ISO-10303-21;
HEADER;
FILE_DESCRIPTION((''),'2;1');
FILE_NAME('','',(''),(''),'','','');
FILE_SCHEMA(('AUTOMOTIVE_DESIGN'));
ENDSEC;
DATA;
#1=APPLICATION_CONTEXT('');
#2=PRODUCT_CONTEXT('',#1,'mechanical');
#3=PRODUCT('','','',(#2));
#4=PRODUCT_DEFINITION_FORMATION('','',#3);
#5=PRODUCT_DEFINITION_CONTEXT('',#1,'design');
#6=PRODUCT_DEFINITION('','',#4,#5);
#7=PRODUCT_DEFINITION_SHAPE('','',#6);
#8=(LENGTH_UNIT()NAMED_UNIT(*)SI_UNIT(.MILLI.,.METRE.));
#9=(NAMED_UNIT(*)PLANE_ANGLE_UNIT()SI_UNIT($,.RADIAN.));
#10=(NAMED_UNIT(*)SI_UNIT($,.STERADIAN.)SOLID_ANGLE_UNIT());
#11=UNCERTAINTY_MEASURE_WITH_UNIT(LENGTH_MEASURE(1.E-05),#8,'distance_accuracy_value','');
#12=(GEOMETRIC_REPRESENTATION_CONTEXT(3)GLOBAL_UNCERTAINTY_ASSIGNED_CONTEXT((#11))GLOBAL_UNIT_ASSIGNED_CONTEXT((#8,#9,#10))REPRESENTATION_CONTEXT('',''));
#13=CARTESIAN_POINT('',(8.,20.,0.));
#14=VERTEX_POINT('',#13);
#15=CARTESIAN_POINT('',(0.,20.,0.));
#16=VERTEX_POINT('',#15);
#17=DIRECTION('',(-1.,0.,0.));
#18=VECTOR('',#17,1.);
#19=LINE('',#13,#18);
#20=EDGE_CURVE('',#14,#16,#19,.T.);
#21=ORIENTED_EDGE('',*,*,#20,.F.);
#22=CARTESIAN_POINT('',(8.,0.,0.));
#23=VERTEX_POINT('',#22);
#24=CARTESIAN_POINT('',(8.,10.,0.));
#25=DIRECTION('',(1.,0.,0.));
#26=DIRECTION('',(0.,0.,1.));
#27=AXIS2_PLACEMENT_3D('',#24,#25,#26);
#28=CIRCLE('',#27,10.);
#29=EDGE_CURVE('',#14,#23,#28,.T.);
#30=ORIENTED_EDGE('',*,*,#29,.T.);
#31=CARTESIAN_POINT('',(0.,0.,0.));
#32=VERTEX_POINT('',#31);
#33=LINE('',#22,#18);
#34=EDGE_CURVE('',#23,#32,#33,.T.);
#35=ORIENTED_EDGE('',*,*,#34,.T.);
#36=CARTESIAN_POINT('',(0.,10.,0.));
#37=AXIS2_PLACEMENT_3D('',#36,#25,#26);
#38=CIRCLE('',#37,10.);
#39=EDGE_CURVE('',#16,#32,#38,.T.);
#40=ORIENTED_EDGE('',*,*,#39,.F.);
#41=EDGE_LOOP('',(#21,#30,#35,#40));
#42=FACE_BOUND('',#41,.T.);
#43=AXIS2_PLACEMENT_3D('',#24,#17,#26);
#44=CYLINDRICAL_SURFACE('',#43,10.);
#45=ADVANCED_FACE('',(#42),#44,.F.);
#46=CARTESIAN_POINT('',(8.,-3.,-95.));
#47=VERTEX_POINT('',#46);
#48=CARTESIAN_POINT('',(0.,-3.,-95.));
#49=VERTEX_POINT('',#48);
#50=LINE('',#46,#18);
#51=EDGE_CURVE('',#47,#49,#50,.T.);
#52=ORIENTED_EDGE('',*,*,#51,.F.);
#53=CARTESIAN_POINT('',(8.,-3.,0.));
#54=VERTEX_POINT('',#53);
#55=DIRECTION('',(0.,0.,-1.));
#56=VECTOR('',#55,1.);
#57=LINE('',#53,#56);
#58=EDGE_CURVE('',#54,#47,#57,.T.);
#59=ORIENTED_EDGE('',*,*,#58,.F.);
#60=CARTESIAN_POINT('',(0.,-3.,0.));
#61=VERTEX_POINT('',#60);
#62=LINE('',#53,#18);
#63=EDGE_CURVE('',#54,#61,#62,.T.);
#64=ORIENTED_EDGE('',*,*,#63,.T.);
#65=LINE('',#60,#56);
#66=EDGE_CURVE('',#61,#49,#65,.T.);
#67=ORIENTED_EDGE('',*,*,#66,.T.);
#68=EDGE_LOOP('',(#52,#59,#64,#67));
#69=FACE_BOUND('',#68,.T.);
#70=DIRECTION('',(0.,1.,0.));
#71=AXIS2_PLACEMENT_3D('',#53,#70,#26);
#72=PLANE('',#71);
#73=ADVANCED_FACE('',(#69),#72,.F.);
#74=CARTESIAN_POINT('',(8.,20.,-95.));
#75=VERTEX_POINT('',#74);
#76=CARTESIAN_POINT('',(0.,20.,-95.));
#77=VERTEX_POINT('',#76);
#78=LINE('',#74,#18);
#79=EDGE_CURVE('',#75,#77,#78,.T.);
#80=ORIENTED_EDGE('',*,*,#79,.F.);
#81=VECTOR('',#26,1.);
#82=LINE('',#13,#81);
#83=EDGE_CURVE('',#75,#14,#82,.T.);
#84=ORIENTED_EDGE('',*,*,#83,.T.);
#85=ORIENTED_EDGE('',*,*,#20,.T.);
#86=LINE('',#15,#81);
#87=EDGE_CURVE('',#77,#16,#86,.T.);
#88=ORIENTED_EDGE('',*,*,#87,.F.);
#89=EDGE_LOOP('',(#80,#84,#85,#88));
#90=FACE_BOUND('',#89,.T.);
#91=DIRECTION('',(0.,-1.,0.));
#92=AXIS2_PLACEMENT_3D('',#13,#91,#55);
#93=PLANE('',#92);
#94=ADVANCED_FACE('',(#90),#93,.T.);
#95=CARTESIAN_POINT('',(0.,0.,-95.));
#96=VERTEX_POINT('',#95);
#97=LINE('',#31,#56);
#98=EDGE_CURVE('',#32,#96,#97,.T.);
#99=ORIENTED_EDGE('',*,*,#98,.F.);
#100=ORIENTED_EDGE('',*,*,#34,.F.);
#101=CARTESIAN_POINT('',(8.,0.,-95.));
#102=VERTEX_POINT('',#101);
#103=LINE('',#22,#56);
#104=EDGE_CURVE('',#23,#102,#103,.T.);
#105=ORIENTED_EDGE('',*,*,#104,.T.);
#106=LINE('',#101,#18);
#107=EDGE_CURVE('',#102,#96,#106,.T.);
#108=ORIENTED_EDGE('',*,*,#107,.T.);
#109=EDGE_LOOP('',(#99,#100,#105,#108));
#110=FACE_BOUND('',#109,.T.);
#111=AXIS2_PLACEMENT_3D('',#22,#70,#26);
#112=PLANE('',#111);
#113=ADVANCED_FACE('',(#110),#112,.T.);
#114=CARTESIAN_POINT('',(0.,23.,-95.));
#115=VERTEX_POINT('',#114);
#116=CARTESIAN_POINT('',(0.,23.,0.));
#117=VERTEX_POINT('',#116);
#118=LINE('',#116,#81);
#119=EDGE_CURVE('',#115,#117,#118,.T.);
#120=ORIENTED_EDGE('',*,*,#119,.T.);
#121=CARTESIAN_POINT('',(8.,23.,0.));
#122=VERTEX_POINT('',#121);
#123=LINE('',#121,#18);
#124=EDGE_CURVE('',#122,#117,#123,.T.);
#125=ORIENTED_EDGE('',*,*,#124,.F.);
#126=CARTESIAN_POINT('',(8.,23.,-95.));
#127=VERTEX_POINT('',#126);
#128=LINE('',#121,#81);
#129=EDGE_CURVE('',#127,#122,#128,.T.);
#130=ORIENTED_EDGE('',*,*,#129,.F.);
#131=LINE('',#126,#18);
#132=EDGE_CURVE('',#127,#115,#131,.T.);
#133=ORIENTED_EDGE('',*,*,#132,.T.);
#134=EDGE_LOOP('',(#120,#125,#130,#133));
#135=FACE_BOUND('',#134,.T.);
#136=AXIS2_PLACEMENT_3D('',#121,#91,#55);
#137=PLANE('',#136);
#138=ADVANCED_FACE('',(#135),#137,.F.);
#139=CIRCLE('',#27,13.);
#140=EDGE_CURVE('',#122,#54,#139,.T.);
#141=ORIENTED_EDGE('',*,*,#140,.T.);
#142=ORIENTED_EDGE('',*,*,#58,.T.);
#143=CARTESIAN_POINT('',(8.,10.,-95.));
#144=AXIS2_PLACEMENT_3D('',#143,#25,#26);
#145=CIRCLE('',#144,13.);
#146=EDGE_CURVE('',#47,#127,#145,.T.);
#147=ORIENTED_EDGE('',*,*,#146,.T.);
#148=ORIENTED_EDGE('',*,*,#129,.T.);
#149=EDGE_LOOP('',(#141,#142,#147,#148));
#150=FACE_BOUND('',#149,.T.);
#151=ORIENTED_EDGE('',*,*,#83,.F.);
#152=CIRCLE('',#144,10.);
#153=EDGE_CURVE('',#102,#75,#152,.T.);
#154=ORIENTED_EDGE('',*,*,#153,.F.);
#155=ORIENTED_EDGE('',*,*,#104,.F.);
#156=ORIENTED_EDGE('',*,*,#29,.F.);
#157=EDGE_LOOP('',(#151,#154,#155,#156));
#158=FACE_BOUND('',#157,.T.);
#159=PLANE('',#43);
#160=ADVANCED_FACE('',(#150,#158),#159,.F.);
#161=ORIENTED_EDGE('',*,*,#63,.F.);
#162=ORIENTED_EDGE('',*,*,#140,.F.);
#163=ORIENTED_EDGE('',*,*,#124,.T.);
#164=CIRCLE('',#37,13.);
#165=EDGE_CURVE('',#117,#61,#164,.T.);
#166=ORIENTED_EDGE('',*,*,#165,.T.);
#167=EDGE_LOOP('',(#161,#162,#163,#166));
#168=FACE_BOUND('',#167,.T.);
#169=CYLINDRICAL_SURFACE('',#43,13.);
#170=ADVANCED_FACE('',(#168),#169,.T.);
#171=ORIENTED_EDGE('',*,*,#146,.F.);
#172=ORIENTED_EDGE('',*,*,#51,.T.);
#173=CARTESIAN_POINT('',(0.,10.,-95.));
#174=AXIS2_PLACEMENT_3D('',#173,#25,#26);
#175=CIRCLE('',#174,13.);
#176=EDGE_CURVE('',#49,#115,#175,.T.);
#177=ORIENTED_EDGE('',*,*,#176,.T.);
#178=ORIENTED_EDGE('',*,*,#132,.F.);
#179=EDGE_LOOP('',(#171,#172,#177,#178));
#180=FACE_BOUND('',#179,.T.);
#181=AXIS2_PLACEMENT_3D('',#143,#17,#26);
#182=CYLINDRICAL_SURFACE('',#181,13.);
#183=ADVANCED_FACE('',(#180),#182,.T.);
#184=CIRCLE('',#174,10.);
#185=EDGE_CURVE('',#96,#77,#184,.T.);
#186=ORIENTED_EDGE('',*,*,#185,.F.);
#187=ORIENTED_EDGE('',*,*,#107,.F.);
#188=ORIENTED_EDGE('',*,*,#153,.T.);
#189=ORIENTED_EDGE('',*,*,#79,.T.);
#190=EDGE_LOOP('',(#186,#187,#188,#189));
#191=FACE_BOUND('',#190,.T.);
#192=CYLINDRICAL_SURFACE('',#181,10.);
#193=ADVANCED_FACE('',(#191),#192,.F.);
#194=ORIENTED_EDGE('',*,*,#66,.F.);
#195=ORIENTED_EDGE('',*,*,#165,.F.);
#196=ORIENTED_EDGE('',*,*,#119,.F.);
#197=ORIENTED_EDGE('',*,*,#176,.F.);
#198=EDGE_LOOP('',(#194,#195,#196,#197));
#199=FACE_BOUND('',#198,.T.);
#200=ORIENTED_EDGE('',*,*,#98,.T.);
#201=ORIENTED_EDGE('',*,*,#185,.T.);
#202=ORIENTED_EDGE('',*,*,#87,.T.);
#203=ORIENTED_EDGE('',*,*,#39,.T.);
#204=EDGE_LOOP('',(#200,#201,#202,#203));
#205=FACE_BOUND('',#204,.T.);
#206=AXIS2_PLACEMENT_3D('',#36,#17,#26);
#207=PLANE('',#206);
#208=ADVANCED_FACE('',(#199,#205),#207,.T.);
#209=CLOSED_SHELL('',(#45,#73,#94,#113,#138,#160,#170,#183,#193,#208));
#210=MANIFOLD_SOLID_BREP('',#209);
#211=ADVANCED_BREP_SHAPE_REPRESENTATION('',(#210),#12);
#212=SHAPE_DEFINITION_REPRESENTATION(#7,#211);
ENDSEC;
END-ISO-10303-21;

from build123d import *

# Parameters (mm, degrees)
EXTRUDE_1_DEPTH = 8


with BuildPart() as part:
    # 草图1 → 凸台-拉伸1 (new body)
    with BuildSketch(Plane(origin=(0, 0, 0), x_dir=(0, 0, -1), z_dir=(1, 0, 0))):
        with BuildLine():
            Line((0, 23), (95, 23))
            ThreePointArc((95, 23), (108, 10), (95, -3))
            Line((95, -3), (0, -3))
            ThreePointArc((0, -3), (-13, 10), (0, 23))
        make_face()
        with BuildLine():
            Line((0, 0), (95, 0))
            ThreePointArc((95, 0), (105, 10), (95, 20))
            Line((95, 20), (0, 20))
            ThreePointArc((0, 20), (-10, 10), (0, 0))
        make_face(mode=Mode.SUBTRACT)
    extrude(amount=EXTRUDE_1_DEPTH)


solid = part.part
